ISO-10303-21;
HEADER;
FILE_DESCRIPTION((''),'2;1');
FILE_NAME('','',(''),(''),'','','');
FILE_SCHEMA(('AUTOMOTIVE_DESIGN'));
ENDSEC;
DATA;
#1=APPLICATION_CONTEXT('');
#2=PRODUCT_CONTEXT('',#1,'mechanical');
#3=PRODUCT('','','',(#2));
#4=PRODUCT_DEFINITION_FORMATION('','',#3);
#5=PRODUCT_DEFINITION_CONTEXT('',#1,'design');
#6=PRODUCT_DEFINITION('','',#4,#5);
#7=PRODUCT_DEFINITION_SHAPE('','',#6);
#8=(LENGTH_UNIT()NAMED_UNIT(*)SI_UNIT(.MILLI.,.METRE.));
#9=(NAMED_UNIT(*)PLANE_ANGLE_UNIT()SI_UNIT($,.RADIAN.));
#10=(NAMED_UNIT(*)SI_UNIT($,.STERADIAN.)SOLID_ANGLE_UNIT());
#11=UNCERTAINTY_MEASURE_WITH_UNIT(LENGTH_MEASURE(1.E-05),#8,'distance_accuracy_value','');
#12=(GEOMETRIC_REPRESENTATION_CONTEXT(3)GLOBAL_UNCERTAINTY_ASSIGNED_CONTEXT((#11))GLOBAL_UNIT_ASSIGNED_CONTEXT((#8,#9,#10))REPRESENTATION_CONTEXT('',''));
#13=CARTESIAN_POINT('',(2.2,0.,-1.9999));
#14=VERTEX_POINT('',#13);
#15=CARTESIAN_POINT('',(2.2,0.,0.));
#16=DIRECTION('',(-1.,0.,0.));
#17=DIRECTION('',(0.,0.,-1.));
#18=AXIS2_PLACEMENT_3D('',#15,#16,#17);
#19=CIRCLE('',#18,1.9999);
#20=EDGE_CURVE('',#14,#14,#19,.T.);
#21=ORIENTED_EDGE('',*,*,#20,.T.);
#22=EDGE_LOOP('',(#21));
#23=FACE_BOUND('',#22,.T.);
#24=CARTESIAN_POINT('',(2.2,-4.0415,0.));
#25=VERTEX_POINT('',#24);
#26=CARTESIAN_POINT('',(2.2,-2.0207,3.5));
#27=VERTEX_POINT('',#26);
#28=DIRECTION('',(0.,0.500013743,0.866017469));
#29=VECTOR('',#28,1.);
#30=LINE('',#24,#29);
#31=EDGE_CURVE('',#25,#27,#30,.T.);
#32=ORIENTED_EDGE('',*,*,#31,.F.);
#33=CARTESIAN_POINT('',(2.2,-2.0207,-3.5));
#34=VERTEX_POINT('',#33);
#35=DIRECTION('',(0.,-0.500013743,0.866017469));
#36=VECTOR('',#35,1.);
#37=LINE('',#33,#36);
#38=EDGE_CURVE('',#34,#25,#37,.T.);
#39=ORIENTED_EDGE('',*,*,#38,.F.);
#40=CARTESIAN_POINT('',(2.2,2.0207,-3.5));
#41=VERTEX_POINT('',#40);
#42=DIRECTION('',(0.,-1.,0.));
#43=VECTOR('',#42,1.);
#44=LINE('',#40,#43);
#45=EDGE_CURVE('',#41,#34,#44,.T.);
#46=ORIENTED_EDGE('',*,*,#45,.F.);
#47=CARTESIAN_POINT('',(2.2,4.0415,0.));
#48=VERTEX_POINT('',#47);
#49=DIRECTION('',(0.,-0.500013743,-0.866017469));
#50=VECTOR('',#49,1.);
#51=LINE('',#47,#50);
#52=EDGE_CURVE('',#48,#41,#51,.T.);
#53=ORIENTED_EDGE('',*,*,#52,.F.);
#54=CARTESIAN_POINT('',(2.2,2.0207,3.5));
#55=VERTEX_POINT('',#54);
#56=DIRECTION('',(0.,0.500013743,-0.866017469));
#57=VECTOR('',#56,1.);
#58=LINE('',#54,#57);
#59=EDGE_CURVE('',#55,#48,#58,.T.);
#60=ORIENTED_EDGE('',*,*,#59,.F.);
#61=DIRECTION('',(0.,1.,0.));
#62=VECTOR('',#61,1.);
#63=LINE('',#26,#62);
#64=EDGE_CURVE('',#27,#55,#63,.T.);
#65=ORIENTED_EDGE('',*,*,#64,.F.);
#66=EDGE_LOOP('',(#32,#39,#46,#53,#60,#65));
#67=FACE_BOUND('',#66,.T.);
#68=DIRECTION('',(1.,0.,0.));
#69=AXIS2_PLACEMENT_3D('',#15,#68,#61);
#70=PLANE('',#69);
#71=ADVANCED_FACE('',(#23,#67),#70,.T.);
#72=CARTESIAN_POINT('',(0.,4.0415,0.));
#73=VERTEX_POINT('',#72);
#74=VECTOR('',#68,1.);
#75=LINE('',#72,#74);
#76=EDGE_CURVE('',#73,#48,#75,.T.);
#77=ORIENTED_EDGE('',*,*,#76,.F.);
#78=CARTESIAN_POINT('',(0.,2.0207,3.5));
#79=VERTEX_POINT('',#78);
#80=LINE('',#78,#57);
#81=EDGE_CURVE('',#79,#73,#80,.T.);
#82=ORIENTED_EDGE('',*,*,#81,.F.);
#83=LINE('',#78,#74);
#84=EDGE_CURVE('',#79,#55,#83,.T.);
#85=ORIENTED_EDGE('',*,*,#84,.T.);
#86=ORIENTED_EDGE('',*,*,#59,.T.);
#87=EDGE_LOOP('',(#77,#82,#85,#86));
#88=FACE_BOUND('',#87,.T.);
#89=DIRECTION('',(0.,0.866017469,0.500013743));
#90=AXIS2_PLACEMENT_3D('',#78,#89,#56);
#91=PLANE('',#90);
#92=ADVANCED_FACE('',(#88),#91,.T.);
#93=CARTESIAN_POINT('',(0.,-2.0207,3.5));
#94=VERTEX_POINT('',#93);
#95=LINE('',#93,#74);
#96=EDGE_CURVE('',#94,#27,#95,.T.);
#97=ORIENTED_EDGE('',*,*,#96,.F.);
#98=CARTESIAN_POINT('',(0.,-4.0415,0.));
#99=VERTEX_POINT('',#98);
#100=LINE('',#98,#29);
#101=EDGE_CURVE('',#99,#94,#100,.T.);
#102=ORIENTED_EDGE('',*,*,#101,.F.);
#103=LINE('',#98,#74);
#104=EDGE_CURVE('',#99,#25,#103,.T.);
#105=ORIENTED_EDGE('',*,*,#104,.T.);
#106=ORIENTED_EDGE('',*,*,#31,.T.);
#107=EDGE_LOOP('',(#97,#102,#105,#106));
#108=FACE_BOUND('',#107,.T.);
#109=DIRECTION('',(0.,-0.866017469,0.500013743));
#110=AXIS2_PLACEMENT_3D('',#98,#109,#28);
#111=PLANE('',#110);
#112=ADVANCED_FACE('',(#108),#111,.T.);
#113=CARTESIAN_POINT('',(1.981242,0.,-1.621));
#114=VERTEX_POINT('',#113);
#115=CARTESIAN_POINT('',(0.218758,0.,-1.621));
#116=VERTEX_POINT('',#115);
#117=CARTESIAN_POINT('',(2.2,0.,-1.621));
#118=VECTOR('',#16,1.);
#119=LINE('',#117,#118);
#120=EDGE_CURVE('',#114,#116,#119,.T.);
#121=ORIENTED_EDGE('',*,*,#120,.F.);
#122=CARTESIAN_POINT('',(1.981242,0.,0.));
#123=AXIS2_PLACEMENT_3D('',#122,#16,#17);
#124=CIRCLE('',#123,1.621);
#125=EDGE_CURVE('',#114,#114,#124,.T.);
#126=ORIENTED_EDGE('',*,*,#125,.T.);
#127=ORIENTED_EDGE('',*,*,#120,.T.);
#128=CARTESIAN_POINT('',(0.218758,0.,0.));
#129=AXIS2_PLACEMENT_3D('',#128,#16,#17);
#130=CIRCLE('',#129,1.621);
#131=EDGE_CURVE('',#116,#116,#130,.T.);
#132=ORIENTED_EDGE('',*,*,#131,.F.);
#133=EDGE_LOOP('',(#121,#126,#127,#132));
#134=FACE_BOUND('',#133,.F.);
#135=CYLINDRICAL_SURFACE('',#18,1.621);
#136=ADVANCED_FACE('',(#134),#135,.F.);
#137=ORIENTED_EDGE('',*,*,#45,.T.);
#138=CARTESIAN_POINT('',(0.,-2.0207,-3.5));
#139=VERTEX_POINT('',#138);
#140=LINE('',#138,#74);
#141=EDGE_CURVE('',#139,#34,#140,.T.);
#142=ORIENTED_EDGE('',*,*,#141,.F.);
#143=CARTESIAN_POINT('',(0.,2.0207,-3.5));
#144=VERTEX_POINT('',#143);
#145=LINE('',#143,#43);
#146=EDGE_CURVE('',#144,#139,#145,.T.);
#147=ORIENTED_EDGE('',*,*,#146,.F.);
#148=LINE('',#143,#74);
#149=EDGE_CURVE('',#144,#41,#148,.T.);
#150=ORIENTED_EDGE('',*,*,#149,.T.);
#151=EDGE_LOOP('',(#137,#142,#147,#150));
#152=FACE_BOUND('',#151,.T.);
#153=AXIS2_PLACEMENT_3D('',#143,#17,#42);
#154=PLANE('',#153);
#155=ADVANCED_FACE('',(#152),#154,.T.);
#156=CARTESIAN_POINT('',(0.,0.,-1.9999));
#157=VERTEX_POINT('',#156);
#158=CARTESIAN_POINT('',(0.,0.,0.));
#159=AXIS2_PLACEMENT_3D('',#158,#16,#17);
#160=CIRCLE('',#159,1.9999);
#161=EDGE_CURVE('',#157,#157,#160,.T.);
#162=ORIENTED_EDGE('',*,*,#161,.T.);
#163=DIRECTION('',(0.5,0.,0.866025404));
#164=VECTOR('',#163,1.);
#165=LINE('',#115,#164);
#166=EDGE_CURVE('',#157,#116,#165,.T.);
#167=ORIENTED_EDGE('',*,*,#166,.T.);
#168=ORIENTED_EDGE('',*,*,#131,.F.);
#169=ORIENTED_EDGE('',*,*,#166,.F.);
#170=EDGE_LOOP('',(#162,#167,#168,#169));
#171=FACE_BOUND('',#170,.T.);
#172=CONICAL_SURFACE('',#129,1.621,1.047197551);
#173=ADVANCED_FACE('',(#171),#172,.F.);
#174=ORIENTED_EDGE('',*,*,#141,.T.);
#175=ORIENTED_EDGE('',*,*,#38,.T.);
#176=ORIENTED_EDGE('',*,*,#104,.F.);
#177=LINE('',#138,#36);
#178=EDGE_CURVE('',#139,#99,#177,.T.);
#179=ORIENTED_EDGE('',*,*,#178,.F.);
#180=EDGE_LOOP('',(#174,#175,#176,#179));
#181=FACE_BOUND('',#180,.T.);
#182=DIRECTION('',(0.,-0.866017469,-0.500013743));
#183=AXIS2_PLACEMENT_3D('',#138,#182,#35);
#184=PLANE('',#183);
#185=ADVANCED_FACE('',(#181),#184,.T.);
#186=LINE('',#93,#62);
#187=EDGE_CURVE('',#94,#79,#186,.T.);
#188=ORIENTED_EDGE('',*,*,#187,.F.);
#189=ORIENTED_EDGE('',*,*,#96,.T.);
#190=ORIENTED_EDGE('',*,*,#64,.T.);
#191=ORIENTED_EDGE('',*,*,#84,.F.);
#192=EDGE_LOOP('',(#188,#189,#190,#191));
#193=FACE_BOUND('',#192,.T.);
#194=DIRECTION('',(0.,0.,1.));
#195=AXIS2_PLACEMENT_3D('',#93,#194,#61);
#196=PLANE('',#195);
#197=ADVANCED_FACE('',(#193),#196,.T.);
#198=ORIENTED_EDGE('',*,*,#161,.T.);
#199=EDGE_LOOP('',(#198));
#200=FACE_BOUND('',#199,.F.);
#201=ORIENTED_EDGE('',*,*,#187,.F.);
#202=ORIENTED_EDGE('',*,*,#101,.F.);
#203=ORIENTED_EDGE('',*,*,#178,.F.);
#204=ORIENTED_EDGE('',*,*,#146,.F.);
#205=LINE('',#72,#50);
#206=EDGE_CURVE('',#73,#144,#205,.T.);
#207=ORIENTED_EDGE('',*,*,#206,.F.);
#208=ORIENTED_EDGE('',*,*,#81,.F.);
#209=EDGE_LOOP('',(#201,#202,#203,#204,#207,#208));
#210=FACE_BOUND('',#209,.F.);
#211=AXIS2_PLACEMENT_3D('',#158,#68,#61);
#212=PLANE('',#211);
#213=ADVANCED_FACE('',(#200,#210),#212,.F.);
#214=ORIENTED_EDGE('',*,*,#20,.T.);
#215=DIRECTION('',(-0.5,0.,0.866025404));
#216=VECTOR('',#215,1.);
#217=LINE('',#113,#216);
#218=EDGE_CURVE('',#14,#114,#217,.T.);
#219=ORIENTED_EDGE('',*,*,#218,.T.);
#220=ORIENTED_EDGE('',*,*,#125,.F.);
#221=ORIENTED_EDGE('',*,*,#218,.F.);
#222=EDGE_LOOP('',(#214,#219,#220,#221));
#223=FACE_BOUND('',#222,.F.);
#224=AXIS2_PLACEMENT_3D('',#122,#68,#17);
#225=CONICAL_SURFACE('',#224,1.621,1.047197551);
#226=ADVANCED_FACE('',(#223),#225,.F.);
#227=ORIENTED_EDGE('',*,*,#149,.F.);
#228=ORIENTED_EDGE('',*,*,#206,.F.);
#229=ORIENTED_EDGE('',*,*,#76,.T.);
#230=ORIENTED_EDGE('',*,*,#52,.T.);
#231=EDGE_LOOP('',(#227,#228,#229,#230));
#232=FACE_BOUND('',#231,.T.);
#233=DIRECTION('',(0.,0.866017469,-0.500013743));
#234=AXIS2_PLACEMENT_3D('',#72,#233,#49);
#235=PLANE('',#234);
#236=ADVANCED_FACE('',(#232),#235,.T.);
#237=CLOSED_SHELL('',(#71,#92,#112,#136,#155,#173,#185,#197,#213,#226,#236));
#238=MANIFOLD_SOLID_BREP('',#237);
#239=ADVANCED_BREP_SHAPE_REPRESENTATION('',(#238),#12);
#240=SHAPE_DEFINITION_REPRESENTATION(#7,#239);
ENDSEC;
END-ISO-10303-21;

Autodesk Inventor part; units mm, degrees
ref_plane "YZ Plane" through (0, 0, 0) normal (1, 0, 0) x (0, 1, 0)
ref_plane "XZ Plane" through (0, 0, 0) normal (0, 1, 0) x (-1, 0, 0)
sketch "Schizzo1" plane through (0, 0, 0) normal (1, 0, 0) x (0, 1, 0)
  line L0 (2.0207, -3.5) -> (-2.0207, -3.5)
  line L1 (-2.0207, -3.5) -> (-4.0415, 0)
  line L2 (-4.0415, 0) -> (-2.0207, 3.5)
  line L3 (-2.0207, 3.5) -> (2.0207, 3.5)
  line L4 (2.0207, 3.5) -> (4.0415, 0)
  line L5 (4.0415, 0) -> (2.0207, -3.5)
  point P0 (0, 0)
  point P1 (0, 0)
  dimension "d0" = 8.0829
extrude "Corpo" add sketch "Schizzo1" along normal blind 2.2
sketch "Schizzo2" plane through (2.2, 0, 0) normal (1, 0, 0) x (0, 0, -1)
  point P0 (0, 0)
hole "Filettatura" at (2.2, 0, 0) direction (-1, 0, 0) diameter 3.242 end through all thread size "M4x0.7" class "6H" standard "ISO Metric profile"
chamfer "Smusso2" distance 0.3789 angle 30 1 edges at (2.2, 0, 1.621) measured on face at (2.2, -2.4654, 1.4736)
chamfer "Smusso1" distance 0.3789 angle 30 1 edges at (0, 0, 1.621) measured on face at (0, -2.4654, 1.4736)
ref_plane "Work Plane1" through (-8.7167, 0, 0) normal (0, 0, -1) x (1, 0, 0)
equation "\"d0\" = 1.1547 * SW"
equation "\"d1\" = KOH"
equation "\"d12\" = -0.5 * GD1 + 0.5 * NND"
equation "\"d19\" = -0.5 * GD1 + 0.5 * NND"
equation "\"d10\" = -0.5 * GD1 + 0.5 * NND"
equation "\"d18\" = -0.5 * GD1 + 0.5 * NND"
equation "\"NND\" = 4"
equation "\"KOH\" = 2.2"
equation "\"SW\" = 7"
equation "\"GUL\" = 0.541266 * PTC"
equation "\"THREADDIA\" = 4"
equation "\"TOA\" = 30deg"
equation "\"PTC\" = 0.7"
equation "\"E0\" = 1.155 * SW"
equation "\"GAL\" = 0.541266 * PTC"
equation "\"GD1\" = 3.242228"
properties part number "AS 1474 - M4" material "Acciaio, Dolce"
